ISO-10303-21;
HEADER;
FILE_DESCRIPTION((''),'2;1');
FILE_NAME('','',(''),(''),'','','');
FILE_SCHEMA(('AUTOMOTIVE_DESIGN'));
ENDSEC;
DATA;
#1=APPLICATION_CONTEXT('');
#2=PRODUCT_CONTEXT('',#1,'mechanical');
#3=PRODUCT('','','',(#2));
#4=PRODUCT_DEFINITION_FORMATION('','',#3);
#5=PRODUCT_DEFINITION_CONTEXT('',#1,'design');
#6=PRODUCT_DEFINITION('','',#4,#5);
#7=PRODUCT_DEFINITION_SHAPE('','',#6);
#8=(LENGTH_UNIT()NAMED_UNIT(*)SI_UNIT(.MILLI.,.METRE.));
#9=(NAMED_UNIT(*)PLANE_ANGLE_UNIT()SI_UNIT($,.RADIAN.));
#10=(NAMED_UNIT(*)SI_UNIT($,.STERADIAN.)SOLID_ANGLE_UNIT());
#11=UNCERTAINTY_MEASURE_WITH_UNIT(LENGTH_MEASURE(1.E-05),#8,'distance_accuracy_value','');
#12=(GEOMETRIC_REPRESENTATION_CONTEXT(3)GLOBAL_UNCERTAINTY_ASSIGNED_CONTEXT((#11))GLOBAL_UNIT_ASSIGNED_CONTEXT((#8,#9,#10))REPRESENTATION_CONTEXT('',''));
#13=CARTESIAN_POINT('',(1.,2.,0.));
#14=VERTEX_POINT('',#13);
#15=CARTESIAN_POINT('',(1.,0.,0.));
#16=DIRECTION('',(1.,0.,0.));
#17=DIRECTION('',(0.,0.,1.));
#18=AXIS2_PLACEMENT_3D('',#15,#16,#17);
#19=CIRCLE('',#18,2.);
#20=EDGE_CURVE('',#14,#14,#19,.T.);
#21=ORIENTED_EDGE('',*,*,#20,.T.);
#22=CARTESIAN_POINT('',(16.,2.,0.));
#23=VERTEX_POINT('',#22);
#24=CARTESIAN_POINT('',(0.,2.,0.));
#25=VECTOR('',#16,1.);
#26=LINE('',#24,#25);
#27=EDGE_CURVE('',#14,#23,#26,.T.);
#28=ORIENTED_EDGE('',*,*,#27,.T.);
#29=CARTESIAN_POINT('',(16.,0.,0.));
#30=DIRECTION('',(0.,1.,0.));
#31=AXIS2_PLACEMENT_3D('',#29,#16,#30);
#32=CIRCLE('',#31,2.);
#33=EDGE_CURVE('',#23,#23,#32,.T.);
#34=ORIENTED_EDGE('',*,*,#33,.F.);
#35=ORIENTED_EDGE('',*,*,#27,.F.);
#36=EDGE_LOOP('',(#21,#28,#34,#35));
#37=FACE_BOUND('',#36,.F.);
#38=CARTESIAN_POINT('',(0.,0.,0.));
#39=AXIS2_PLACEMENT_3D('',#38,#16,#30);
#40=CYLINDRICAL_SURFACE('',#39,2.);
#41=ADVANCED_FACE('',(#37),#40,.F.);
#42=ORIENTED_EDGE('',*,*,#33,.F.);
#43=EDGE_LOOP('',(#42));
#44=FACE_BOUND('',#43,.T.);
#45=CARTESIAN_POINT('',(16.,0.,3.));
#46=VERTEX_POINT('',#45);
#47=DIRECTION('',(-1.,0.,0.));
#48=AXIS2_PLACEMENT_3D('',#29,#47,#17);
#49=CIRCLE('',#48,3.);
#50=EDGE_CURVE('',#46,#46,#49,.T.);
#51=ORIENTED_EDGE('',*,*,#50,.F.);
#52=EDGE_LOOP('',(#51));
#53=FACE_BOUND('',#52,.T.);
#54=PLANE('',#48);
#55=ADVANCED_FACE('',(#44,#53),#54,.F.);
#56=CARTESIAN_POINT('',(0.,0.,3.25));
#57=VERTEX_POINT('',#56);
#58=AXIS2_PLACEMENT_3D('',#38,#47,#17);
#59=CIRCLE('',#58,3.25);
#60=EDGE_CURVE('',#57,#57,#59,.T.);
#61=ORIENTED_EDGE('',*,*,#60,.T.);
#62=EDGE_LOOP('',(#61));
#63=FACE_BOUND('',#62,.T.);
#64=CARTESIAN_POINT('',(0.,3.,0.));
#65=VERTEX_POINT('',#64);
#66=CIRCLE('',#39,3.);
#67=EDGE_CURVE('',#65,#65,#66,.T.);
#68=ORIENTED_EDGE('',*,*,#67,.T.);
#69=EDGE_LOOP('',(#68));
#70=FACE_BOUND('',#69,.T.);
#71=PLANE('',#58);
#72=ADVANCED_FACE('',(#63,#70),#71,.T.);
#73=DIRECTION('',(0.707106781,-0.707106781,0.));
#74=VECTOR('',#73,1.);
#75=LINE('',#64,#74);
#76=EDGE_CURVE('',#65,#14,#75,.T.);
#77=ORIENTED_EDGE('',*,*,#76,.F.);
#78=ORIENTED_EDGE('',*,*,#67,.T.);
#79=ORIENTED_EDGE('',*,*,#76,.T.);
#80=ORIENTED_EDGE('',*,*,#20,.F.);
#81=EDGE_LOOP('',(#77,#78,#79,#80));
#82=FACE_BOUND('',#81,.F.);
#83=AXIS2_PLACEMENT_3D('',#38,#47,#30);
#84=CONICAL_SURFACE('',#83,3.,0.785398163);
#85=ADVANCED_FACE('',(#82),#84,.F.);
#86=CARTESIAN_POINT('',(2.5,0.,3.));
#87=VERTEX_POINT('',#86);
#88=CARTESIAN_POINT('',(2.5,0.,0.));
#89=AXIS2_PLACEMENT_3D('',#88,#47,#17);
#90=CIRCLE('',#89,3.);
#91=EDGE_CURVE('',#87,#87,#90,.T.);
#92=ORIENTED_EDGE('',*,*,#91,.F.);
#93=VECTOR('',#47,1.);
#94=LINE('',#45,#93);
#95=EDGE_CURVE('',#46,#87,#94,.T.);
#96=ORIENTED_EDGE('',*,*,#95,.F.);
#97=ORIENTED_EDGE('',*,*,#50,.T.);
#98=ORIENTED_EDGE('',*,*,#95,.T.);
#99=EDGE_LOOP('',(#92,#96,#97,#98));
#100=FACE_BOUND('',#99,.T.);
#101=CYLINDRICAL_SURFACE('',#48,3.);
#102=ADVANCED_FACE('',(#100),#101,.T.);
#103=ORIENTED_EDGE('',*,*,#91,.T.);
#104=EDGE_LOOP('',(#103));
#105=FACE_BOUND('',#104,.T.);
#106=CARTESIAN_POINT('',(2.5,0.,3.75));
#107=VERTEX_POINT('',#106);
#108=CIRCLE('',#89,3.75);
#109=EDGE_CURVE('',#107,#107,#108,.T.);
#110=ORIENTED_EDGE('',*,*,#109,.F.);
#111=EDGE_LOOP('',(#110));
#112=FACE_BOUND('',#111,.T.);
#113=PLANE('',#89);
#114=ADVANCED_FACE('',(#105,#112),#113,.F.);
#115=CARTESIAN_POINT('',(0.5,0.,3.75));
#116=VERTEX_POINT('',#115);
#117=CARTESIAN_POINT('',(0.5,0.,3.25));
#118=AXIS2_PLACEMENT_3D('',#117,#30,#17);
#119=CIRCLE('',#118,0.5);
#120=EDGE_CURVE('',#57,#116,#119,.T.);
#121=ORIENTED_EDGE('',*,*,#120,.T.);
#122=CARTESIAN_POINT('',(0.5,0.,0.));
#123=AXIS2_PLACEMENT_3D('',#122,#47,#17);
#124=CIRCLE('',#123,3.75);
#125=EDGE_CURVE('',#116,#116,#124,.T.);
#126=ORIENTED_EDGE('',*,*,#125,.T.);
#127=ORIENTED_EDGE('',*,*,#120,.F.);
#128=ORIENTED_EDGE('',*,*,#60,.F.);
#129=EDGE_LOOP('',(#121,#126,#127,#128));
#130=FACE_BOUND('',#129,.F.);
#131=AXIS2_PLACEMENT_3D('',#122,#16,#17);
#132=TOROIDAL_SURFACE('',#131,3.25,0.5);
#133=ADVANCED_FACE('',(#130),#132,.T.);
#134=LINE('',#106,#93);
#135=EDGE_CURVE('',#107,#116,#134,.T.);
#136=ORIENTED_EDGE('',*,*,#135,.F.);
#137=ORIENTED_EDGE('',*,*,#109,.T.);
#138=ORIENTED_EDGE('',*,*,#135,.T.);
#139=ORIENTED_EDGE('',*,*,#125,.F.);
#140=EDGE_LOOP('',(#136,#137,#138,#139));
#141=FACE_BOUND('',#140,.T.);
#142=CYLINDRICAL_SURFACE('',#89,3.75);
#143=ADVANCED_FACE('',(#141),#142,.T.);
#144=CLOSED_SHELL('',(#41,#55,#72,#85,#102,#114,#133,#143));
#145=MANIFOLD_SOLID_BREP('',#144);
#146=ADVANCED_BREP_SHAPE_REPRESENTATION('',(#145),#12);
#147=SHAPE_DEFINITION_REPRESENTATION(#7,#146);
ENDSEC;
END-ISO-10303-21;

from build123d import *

# Parameters (mm, degrees)
F2_R           = 0.5
F4_D           = 4
F4_CSINK_D     = 6
F4_CSINK_ANGLE = 90


with BuildPart() as f1:
    # F0 (on Front) → F1 (revolve)
    with BuildSketch(Plane.XZ):
        Polygon((0, 3.75), (0, 0), (16, 0), (16, 3), (2.5, 3), (2.5, 3.75), align=None)
    revolve(axis=Axis((8, 0, 0), (-1, 0, 0)))

    # F2
    f2_edges = [f1.edges().sort_by_distance(p)[0] for p in [
        (0, 0, -3.75),
    ]]
    fillet(f2_edges, radius=F2_R)

    # F4 (through all)
    with Locations(Plane(origin=(0, 0, 0), x_dir=(0, -1, 0), z_dir=(-1, 0, 0))):
        with Locations((0, 0)):
            CounterSinkHole(F4_D / 2, F4_CSINK_D / 2, counter_sink_angle=F4_CSINK_ANGLE)


solid = f1.part
